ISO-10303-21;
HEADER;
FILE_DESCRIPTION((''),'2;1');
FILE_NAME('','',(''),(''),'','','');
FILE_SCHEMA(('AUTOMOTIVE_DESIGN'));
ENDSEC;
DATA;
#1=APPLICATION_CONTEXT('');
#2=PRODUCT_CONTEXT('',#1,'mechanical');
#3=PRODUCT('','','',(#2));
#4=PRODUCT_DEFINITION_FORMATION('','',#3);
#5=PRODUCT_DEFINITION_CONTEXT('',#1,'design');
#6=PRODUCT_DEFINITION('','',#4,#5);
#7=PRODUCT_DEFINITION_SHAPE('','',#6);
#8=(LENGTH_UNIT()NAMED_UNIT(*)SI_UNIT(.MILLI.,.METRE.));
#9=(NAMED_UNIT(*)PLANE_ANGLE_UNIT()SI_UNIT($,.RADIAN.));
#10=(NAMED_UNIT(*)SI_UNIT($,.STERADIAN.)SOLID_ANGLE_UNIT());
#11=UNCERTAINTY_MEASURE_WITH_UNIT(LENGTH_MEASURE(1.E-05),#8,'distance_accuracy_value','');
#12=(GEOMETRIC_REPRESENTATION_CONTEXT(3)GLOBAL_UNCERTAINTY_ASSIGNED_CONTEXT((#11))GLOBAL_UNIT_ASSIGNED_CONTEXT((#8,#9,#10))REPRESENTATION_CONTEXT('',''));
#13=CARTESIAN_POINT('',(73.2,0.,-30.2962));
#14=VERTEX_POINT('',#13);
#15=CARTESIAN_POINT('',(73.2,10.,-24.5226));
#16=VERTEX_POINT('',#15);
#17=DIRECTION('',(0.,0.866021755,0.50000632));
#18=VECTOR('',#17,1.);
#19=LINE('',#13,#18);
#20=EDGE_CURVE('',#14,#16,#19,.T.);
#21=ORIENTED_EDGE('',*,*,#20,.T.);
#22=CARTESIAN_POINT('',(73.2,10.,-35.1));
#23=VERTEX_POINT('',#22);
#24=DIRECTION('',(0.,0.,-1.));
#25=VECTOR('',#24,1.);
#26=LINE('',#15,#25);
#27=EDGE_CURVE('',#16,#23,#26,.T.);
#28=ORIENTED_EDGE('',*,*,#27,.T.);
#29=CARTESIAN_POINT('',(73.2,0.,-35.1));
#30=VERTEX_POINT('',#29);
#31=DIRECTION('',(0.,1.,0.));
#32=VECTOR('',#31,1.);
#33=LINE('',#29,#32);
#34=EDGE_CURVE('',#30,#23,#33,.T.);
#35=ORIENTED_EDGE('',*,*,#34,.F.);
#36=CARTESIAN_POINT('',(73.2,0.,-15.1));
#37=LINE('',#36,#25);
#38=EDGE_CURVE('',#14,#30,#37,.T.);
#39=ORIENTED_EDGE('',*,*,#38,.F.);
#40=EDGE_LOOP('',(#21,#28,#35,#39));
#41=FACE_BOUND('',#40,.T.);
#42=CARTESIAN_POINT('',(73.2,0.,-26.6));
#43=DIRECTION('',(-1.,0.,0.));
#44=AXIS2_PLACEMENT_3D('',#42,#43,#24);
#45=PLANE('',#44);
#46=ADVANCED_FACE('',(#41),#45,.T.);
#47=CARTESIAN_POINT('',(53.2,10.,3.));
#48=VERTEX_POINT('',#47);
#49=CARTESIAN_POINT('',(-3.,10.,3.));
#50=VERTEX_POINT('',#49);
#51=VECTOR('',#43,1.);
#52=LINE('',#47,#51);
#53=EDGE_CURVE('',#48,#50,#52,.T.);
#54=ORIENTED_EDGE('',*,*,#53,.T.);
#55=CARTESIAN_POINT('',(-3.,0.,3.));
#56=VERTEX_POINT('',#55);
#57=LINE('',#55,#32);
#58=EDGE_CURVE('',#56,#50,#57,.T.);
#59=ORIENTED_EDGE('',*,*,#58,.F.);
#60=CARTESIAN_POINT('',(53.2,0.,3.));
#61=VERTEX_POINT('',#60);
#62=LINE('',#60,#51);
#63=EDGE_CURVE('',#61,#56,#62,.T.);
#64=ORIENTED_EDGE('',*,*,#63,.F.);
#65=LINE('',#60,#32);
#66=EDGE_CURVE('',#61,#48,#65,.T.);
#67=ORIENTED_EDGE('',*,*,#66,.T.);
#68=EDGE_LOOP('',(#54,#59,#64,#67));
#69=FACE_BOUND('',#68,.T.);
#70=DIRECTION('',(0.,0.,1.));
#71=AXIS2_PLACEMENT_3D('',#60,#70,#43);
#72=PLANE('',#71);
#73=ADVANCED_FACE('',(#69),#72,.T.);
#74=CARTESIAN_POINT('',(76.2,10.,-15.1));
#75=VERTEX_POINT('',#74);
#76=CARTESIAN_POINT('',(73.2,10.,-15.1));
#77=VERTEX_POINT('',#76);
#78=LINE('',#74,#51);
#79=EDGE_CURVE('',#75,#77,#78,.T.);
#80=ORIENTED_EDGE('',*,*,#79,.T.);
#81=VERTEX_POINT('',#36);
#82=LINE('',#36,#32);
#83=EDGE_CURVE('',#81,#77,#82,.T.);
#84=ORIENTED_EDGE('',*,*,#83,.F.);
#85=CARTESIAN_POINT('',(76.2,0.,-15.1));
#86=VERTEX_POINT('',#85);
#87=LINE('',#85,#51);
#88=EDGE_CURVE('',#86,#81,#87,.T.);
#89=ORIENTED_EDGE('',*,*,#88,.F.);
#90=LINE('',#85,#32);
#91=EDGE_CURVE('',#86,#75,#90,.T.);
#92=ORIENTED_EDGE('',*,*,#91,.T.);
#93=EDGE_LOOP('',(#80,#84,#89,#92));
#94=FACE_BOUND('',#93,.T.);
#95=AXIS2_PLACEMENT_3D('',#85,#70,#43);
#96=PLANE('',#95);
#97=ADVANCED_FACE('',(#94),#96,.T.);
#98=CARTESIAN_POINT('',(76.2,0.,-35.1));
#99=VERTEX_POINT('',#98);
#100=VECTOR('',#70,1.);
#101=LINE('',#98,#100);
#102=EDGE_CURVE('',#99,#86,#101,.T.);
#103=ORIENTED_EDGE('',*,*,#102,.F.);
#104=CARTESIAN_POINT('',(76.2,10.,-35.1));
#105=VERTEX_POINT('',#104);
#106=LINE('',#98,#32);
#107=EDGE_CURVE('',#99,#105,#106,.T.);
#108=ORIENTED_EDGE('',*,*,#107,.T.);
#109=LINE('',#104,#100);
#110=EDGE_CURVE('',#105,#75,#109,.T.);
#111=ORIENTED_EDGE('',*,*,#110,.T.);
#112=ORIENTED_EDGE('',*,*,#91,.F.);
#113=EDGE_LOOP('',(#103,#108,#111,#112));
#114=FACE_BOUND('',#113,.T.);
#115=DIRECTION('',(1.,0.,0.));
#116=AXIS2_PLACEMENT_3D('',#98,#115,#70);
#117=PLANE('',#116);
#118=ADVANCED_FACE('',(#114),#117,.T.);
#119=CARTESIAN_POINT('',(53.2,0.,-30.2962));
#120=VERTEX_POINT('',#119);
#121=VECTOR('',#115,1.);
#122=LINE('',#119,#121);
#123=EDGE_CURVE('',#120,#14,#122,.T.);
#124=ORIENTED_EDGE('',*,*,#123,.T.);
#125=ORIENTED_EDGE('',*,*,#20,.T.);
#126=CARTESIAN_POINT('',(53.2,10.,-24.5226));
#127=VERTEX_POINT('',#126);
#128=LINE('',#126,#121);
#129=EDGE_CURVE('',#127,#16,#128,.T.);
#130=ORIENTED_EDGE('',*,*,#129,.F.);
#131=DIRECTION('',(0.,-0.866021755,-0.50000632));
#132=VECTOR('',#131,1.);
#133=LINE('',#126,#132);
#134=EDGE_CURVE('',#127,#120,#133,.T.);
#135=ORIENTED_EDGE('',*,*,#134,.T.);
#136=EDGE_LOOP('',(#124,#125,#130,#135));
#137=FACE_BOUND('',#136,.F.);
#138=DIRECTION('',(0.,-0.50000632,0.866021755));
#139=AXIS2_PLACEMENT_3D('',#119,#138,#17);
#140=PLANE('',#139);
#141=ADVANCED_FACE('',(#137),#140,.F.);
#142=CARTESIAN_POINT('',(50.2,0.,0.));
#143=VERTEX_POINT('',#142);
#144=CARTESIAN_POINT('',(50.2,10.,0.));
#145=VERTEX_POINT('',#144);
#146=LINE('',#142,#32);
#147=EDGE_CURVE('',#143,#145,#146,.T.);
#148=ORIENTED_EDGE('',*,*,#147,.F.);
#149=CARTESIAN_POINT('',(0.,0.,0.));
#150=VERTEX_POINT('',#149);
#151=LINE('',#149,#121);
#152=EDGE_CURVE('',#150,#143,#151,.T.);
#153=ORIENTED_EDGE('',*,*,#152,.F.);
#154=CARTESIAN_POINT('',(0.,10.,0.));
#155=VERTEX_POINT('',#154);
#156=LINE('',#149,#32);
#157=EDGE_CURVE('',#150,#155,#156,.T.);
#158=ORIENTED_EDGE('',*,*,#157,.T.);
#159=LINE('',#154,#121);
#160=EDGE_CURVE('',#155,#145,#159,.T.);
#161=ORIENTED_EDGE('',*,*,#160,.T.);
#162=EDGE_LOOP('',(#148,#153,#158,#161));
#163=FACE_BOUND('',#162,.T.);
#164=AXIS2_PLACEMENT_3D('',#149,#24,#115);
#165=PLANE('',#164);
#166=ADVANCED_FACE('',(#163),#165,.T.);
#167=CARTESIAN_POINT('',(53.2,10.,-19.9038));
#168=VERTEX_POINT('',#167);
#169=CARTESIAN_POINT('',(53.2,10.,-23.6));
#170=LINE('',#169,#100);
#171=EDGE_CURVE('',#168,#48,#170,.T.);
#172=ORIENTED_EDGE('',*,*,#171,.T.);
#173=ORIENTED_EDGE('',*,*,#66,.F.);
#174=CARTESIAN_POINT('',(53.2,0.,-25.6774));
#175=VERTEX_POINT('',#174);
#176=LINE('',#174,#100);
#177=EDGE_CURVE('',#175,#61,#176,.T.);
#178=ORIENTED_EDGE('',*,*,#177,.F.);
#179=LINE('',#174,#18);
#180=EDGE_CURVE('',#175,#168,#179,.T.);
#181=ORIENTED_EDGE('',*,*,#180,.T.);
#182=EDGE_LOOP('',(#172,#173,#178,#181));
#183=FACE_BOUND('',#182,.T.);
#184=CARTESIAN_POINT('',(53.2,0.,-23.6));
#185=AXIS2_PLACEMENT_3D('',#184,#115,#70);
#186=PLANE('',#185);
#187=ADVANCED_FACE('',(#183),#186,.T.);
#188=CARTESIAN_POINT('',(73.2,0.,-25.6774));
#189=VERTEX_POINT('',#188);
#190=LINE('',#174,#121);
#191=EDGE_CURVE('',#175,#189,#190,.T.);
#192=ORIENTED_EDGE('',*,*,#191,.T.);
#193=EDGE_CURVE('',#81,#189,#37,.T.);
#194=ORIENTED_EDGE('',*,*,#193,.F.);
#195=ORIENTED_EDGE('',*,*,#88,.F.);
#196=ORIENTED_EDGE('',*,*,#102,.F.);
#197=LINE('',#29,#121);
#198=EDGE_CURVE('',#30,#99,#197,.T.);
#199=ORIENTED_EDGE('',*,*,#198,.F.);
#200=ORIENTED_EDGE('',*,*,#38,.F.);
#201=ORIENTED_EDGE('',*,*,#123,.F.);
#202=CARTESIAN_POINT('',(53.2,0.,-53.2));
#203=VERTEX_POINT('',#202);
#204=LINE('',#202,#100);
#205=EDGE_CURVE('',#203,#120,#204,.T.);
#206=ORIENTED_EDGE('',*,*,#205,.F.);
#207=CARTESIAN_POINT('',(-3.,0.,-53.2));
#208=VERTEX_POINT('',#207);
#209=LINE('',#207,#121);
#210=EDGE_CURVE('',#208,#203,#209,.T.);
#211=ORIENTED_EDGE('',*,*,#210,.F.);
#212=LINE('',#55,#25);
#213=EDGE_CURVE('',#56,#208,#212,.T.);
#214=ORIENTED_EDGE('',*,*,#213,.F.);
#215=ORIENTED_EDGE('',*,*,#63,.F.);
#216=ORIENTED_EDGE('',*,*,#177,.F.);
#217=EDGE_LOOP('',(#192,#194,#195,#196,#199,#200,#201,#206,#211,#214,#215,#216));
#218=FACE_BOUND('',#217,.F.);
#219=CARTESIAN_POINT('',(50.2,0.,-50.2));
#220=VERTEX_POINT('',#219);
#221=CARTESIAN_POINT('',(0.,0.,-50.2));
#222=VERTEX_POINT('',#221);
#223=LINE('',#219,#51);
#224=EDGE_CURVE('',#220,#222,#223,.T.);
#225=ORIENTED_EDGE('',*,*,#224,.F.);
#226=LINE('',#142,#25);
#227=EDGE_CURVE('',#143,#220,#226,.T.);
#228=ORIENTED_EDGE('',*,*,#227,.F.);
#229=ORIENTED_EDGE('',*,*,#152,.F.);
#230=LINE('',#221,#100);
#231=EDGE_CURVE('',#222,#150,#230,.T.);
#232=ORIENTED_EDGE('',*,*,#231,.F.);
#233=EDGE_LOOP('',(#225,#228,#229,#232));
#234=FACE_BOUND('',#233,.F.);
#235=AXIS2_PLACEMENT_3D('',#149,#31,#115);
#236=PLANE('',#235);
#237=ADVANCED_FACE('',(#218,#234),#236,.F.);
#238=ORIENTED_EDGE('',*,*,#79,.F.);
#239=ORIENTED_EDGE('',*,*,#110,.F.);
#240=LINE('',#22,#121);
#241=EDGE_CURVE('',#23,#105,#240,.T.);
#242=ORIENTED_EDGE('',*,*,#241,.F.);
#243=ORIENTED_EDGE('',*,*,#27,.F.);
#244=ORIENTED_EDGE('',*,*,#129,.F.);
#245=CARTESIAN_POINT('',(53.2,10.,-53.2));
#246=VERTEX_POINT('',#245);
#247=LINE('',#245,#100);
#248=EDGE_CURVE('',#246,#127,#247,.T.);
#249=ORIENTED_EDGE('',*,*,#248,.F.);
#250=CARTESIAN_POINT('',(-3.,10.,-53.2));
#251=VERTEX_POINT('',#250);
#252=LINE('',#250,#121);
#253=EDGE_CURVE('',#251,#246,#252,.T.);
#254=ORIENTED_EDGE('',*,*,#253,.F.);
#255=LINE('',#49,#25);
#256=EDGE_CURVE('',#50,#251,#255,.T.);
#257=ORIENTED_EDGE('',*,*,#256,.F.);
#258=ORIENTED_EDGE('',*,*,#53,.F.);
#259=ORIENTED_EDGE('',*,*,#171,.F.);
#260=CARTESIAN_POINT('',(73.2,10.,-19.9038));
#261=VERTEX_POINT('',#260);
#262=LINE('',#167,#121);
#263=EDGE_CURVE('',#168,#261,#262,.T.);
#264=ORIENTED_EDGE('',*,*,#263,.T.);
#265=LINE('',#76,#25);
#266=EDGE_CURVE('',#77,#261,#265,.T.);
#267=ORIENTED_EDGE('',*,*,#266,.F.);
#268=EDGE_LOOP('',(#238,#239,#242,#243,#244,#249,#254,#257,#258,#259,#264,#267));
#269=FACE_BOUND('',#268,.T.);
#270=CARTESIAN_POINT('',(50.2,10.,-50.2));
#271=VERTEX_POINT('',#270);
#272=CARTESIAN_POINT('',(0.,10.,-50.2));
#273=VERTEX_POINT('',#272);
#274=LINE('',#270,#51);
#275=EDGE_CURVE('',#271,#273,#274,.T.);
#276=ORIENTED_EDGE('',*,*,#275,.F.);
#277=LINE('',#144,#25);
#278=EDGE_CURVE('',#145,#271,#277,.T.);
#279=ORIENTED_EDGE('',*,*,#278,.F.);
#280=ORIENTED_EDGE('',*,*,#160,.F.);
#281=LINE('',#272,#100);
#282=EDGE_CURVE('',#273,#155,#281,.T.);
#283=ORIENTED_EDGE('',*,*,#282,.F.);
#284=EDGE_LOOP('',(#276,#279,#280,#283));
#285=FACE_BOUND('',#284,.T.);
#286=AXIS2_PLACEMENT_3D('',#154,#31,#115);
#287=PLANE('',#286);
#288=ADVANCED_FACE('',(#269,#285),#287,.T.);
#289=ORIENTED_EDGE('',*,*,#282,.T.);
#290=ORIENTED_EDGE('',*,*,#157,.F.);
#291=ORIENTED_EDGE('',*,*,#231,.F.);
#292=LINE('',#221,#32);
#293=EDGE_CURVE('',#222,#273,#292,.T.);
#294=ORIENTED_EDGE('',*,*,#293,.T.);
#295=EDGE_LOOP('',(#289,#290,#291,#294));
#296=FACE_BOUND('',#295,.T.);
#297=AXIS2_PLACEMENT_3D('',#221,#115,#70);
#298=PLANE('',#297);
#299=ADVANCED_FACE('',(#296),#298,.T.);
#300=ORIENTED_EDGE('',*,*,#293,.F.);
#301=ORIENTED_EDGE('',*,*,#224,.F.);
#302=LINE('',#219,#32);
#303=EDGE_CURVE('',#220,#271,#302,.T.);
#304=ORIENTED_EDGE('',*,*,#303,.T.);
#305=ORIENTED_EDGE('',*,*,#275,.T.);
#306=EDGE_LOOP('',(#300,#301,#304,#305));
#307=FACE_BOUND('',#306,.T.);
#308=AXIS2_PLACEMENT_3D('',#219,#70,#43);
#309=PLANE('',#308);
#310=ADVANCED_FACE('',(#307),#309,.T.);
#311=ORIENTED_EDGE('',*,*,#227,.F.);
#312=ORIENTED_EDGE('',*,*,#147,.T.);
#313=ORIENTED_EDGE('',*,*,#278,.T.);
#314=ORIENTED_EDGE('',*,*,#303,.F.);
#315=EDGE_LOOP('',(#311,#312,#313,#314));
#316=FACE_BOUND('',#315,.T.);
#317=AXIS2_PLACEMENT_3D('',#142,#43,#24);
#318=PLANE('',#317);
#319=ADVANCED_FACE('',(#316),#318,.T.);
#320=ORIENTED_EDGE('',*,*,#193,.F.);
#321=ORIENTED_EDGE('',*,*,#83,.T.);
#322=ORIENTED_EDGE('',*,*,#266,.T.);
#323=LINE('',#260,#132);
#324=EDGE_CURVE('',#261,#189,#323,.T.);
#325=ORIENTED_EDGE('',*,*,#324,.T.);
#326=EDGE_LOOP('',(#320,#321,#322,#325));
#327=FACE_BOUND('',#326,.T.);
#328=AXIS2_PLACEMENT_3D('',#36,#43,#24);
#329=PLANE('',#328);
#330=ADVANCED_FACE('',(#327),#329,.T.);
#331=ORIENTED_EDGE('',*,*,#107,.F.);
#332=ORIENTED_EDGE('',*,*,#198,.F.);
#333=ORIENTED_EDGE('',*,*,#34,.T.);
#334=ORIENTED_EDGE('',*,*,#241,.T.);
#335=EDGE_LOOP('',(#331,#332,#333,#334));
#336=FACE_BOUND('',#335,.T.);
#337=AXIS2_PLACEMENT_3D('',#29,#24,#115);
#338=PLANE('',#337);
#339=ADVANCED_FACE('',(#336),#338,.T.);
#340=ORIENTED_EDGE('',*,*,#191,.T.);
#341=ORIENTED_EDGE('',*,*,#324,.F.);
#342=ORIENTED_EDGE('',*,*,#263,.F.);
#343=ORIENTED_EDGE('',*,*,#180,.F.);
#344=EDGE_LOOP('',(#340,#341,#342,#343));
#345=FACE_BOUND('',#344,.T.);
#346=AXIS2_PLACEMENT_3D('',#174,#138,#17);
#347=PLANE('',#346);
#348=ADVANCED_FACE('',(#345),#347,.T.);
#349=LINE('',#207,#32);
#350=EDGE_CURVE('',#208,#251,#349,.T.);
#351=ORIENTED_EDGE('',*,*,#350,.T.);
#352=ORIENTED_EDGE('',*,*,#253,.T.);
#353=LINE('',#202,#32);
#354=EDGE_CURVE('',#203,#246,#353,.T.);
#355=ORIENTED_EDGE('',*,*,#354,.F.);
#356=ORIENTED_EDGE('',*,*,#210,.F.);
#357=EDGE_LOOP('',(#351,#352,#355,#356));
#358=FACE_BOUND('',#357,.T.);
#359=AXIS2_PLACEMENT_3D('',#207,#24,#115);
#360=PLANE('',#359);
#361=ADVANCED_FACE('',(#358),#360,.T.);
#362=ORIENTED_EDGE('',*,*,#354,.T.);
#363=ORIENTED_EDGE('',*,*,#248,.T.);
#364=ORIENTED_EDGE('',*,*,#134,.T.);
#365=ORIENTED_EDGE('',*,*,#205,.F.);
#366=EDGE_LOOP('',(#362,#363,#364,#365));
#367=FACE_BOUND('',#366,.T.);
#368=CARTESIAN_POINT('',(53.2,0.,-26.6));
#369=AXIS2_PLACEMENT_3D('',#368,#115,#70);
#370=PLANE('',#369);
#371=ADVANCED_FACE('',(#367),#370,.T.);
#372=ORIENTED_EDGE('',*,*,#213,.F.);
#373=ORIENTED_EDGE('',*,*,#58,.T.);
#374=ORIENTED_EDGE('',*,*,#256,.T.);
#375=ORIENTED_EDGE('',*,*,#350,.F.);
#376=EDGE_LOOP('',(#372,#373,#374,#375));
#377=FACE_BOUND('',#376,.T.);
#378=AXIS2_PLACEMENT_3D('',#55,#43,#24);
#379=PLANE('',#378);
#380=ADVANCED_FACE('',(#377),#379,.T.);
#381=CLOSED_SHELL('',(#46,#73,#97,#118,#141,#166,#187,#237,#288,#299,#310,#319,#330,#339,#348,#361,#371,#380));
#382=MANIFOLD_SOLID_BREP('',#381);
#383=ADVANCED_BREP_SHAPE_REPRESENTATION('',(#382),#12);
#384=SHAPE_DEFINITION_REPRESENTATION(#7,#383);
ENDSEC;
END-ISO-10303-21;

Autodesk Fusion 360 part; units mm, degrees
sketch "Base Mount Sketch" plane through (0, 0, 0) normal (0, 1, 0) x (1, 0, 0) in component "Mount"
  line L0 (0, 0) -> (50.2, 0)
  line L1 (50.2, 0) -> (50.2, 50.2)
  line L2 (50.2, 50.2) -> (0, 50.2)
  line L3 (0, 50.2) -> (0, 0)
  line L4 (73.2, 35.1) -> (76.2, 35.1)
  line L5 (76.2, 35.1) -> (76.2, 15.1)
  line L6 (76.2, 15.1) -> (73.2, 15.1)
  line L7 (73.2, 15.1) -> (73.2, 35.1)
  line L8 (0, 25.1) -> (53.2, 25.1) construction
  line L9 (73.2, 23.6) -> (53.2, 23.6)
  line L10 (53.2, 23.6) -> (53.2, -3)
  line L11 (53.2, -3) -> (-3, -3)
  line L12 (-3, -3) -> (-3, 53.2)
  line L13 (-3, 53.2) -> (53.2, 53.2)
  line L14 (53.2, 53.2) -> (53.2, 26.6)
  line L15 (53.2, 26.6) -> (73.2, 26.6)
  line L16 (53.2, 26.6) -> (53.2, 23.6)
  line L17 (53.2, 25.1) -> (73.2, 25.1) construction
  dimension "d1" = 50.2
  dimension "d2" = 50.2
  dimension "d5" = 3
  dimension "d6" = 20
  dimension "d8" = 3
  dimension "d9" = 3
  dimension "d10" = 3
  dimension "d11" = 3
  dimension "d12" = 3
  dimension "d13" = 20
extrude "Extrude1" add sketch "Base Mount Sketch" along normal blind 10 contours L10 L11 L12 L13 L14 L16 in component "Mount"
sketch "Tweezer Mount Tilt sketch" plane through (53.2, 0, 0) normal (1, 0, 0) x (0, 0, -1) in component "Mount"
  line L0 (-3, 0) -> (53.2, 0)
  line L1 (53.2, 0) -> (53.2, 10)
  line L2 (53.2, 10) -> (-3, 10)
  line L3 (-3, 10) -> (-3, 0)
  line L4 (25.1, 0) -> (25.1, 10) construction
  line L5 (30.2962, 0) -> (24.5226, 10)
  line L6 (25.6774, 0) -> (19.9038, 10)
  line L7 (25.1, 5) -> (30.2962, 0) construction
  line L8 (25.6774, 0) -> (24.5226, 10) construction
  line L9 (19.9038, 10) -> (25.1, 5) construction
  dimension "d25" = 4
  dimension "d32" = 60
extrude "Extrude2" add sketch "Tweezer Mount Tilt sketch" along normal blind 20 contours L0 L2 L5 L6 in component "Mount"
extrude "Extrude3" add sketch "Base Mount Sketch" along normal blind 10 contours L4 L5 L6 L7 in component "Mount"
component "Mount" placed x (1, 0, 0) y (0, 1, 0) z (0, 0, 1) at (0, 0, 0)
equation "d1 = IPA_container_size + fitting_clearance"
equation "d2 = IPA_container_size + fitting_clearance"
equation "nominal_thickness = 3 mm"
equation "IPA_container_size = 50 mm"
equation "d5 = nominal_thickness"
equation "d6 = stopend_width"
equation "d8 = nominal_thickness"
equation "d9 = nominal_thickness"
equation "d10 = nominal_thickness"
equation "d11 = nominal_thickness"
equation "d12 = nominal_thickness"
equation "d13 = tweezer_mount_width"
equation "tweezer_mount_width = 20 mm"
equation "stopend_width = 20 mm"
equation "fitting_clearance = 0.2 mm"
equation "attachment_height = 10 mm"
equation "d18 = attachment_height"
equation "d25 = tweezer_mount_thickness"
equation "tweezer_mount_thickness = nominal_thickness + 1 mm"
equation "d27 = tweezer_mount_width"
equation "d29 = attachment_height"
equation "tweezer_mount_tilt_angle = 60 deg"
equation "d32 = tweezer_mount_tilt_angle"
